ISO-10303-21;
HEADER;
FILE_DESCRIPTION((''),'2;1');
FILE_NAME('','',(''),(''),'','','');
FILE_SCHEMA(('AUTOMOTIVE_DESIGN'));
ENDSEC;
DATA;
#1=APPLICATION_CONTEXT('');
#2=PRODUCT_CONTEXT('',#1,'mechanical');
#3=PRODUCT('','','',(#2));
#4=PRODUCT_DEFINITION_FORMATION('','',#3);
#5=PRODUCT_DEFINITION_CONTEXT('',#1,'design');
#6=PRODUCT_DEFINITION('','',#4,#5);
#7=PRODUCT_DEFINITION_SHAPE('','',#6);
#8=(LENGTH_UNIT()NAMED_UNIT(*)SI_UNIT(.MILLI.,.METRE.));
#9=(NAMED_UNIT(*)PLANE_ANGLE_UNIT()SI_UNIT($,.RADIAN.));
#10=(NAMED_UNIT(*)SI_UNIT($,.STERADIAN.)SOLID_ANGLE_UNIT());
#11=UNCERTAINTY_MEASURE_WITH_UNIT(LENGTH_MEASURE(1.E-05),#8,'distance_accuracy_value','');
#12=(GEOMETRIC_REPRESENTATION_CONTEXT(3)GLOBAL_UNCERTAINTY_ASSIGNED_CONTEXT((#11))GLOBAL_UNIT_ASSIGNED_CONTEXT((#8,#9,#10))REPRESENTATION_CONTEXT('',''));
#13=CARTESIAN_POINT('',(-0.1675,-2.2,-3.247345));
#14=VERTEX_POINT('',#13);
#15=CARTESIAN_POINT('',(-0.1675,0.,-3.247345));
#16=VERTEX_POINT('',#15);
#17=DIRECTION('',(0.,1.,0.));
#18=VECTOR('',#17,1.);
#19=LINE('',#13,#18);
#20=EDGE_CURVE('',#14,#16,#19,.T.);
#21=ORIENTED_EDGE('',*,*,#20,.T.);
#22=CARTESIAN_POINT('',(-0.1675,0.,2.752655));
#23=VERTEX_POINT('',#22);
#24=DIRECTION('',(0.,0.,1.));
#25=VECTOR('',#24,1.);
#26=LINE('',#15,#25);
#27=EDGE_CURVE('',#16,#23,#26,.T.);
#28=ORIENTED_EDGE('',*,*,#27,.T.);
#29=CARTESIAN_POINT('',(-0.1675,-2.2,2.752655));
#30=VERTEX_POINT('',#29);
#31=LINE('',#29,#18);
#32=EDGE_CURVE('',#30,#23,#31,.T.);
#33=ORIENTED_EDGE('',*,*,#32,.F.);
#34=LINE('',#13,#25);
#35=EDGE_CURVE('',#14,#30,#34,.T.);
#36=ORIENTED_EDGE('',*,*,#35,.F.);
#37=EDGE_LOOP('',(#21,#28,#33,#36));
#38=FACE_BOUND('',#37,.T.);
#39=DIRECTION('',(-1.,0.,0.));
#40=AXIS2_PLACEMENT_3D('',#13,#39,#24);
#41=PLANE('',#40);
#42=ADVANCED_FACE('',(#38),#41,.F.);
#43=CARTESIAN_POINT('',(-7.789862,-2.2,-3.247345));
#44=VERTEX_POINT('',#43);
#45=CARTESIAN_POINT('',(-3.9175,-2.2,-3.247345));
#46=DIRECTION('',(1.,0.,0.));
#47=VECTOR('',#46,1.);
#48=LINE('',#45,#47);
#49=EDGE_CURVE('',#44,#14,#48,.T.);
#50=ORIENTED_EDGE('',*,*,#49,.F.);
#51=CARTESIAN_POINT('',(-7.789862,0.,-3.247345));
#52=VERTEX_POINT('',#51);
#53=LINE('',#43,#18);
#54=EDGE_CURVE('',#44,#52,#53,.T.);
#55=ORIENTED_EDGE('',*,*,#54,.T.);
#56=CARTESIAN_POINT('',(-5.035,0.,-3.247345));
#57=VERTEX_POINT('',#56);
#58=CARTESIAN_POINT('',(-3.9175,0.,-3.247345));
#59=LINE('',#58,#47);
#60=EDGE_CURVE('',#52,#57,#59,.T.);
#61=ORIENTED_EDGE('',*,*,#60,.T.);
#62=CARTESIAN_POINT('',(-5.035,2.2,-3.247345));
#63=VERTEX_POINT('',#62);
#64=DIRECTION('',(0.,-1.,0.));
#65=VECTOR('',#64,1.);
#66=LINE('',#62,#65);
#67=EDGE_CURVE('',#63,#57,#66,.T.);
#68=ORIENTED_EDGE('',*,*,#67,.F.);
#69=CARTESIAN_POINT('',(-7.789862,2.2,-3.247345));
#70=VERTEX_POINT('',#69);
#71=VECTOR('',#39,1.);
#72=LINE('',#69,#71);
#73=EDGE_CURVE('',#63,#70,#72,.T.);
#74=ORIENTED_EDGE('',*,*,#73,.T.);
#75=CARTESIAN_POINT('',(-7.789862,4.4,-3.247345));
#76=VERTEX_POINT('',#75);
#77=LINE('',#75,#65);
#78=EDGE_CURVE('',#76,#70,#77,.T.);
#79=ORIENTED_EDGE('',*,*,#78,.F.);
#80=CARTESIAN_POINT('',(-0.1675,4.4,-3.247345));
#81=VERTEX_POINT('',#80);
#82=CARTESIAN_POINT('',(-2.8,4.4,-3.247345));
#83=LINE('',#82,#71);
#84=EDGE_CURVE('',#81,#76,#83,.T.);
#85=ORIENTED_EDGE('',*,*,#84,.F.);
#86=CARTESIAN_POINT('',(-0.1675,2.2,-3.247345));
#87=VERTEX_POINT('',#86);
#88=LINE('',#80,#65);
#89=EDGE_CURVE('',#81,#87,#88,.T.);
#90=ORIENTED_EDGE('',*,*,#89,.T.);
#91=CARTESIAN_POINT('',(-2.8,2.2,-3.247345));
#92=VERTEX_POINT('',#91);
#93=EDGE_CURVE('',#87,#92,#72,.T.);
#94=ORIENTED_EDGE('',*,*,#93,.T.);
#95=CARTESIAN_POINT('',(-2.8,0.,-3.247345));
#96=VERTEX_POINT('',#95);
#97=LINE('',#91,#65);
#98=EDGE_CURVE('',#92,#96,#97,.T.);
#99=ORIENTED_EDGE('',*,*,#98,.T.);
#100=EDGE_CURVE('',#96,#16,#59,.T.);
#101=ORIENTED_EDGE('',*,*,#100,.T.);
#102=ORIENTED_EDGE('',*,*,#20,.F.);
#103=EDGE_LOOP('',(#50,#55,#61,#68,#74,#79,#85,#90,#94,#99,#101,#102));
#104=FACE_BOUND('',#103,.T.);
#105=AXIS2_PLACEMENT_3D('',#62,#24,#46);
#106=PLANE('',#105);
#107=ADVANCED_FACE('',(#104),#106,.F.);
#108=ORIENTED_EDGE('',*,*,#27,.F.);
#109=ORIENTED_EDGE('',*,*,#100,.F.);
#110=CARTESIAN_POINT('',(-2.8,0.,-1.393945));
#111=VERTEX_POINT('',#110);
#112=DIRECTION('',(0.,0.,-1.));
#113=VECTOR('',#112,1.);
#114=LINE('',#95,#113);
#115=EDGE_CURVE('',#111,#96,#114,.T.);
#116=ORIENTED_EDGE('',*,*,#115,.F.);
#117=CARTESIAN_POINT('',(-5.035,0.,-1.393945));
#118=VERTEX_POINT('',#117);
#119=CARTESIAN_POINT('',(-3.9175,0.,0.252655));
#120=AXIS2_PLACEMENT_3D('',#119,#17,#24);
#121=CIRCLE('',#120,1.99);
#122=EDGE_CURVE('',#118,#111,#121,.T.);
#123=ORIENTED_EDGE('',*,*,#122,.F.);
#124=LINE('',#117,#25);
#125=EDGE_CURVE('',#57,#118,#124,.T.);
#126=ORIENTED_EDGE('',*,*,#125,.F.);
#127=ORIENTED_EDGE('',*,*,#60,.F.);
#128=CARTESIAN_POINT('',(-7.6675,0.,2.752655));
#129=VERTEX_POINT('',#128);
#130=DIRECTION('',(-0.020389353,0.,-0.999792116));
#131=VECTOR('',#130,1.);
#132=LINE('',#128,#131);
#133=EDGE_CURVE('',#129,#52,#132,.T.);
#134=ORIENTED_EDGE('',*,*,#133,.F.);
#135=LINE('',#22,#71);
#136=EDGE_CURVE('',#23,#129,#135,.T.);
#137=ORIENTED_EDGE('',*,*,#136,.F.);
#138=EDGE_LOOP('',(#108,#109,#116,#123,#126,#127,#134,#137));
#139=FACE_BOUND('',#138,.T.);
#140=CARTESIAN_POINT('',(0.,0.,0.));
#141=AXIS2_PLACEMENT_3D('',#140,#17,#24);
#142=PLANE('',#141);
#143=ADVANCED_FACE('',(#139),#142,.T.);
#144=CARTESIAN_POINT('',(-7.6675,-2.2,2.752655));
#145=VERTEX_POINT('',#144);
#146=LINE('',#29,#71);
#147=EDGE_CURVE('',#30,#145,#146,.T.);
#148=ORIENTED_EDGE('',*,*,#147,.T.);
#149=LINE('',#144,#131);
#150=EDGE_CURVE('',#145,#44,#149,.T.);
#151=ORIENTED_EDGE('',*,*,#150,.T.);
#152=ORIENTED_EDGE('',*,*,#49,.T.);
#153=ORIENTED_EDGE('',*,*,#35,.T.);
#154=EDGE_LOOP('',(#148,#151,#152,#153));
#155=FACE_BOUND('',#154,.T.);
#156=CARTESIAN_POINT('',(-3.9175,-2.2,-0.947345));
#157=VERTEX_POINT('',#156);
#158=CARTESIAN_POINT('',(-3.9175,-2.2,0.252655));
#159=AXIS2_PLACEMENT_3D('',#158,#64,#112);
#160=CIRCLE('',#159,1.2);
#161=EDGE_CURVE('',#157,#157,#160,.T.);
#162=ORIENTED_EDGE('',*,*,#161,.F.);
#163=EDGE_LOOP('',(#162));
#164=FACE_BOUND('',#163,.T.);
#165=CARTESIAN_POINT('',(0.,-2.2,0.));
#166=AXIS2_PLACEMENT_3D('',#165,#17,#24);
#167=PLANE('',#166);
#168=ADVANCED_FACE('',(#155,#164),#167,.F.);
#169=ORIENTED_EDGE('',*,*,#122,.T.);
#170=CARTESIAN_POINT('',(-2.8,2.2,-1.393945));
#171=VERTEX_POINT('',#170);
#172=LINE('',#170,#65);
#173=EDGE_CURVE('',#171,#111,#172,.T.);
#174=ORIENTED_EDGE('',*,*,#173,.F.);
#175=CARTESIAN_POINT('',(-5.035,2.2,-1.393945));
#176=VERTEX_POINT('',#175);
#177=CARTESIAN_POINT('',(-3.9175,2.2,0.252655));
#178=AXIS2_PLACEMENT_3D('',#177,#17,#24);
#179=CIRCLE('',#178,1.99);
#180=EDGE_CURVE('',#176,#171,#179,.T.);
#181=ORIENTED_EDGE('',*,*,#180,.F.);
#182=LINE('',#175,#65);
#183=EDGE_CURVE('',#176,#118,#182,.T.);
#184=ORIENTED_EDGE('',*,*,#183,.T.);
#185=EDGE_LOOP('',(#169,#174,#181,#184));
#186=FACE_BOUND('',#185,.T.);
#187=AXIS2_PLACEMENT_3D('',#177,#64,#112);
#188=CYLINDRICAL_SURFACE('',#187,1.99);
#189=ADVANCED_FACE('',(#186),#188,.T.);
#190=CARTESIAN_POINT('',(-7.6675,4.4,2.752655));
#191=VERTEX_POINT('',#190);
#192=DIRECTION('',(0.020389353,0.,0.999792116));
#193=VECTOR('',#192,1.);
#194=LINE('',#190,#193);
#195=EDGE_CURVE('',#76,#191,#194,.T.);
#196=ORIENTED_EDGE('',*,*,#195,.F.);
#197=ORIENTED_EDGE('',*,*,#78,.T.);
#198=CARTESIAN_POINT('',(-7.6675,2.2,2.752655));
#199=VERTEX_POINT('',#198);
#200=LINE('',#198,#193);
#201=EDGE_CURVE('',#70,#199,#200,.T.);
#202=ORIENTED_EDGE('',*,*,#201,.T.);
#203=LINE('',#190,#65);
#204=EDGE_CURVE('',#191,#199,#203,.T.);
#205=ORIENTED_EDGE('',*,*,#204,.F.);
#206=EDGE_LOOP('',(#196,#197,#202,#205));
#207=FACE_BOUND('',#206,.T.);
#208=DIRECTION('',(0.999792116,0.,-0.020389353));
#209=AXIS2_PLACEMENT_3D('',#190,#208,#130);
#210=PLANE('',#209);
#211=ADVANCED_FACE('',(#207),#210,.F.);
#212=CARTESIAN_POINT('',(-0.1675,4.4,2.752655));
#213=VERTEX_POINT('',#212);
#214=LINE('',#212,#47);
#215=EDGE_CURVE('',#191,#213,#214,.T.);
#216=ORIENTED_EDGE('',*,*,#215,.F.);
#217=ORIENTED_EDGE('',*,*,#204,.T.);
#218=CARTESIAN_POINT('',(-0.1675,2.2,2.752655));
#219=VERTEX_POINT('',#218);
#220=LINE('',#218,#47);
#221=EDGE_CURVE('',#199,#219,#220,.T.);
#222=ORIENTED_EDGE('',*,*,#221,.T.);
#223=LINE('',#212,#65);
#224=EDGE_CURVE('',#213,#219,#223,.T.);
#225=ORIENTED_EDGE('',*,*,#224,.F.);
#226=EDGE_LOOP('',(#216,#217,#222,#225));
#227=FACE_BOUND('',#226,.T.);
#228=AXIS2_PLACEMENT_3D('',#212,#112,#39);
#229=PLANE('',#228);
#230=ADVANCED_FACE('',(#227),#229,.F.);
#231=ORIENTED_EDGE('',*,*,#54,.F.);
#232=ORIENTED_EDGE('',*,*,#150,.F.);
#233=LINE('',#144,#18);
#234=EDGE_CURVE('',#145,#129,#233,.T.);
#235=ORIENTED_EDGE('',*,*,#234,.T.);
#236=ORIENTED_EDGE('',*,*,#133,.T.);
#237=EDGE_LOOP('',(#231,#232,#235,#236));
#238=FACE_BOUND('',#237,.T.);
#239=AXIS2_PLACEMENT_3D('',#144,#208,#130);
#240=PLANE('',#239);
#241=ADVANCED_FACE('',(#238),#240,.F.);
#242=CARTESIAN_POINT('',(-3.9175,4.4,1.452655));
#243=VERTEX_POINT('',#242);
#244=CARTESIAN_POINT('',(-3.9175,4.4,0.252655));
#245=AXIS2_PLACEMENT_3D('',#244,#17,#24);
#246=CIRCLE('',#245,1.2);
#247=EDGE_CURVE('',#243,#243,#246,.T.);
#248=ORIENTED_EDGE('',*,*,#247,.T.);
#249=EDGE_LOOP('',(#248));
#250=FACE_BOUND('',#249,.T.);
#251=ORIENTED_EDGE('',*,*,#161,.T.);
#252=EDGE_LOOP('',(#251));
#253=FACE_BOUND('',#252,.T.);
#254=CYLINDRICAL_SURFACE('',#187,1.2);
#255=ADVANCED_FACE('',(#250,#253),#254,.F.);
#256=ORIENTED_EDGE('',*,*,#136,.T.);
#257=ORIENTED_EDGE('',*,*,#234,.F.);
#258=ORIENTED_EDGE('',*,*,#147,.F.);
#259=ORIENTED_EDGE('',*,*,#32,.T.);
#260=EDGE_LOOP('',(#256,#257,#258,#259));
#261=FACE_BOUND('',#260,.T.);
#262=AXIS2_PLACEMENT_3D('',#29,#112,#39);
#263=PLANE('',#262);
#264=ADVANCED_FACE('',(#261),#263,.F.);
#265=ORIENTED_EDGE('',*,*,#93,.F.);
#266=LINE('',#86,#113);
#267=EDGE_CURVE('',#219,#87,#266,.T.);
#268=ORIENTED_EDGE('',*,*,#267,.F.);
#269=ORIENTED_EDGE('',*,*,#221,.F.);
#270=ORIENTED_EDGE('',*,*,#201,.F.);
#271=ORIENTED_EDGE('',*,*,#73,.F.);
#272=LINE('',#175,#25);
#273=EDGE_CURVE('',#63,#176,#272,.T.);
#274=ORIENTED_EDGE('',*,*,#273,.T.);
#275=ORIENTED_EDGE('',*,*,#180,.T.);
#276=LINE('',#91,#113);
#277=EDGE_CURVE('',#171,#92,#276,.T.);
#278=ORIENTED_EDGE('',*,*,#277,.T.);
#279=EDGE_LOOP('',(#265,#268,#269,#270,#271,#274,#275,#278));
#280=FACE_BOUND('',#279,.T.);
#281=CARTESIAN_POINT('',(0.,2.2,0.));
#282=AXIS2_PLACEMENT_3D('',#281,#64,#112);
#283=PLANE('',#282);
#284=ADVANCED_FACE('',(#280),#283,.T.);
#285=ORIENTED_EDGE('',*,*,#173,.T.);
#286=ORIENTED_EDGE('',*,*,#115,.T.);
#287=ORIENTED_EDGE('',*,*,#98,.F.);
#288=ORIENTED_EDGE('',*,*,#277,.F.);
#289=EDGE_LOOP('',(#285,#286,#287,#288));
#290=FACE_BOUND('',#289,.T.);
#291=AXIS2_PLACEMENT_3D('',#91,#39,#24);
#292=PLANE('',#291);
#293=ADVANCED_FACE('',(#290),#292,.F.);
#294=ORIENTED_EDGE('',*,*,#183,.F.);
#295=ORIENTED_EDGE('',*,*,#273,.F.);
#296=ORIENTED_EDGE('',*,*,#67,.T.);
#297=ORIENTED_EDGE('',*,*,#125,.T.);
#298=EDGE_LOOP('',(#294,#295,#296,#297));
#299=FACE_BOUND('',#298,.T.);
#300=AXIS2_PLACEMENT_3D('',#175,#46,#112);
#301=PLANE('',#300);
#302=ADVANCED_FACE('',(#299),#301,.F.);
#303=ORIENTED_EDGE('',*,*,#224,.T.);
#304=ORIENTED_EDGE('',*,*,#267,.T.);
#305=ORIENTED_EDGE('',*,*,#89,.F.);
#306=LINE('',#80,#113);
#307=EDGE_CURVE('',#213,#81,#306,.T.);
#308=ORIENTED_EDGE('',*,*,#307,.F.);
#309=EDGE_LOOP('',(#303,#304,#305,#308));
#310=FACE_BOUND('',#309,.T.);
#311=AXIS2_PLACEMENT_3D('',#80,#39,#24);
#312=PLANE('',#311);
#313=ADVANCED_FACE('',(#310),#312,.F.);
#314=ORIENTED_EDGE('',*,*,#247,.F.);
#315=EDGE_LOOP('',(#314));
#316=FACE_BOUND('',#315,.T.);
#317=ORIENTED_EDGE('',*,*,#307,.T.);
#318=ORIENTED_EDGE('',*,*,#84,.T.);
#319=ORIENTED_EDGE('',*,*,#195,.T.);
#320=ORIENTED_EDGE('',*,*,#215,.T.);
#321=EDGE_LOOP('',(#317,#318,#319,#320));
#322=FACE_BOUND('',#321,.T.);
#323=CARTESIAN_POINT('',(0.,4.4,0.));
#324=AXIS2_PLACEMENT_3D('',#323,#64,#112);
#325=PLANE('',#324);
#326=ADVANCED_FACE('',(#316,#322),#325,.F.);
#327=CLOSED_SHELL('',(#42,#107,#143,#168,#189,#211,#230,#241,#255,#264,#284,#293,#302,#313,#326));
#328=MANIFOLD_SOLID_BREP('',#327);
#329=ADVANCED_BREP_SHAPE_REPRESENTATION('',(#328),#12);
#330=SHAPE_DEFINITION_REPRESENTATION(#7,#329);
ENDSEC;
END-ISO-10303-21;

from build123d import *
from build123d.topology import SkipClean

# Parameters (mm, degrees)
SKETCH1_R           = 1.2
BOSS_EXTRUDE1_DEPTH = 2.2
BOSS_EXTRUDE2_START = 2.2
SKETCH2_R           = 1.2
BOSS_EXTRUDE2_DEPTH = 2.2
SKETCH3_R           = 1.2
BOSS_EXTRUDE3_DEPTH = 2.2


with BuildPart() as part:
    # Sketch1 → Boss-Extrude1 (new body)
    with BuildSketch(Plane(origin=(0, 0, 0), x_dir=(1, 0, 0), z_dir=(0, 1, 0))):
        with BuildLine():
            Line((-5.035, 1.393945325), (-5.035, 3.24734466))
            Line((-5.035, 3.24734466), (-2.8, 3.24734466))
            Line((-2.8, 3.24734466), (-2.8, 1.393945325))
            ThreePointArc((-2.8, 1.393945325), (-3.9175, -2.24265534), (-5.035, 1.393945325))
        make_face()
        with Locations(Location((-3.9175, -0.25265534, 0), (0, 0, 270))):
            Circle(SKETCH1_R, mode=Mode.SUBTRACT)
    extrude(amount=BOSS_EXTRUDE1_DEPTH)

    # Sketch2 → Boss-Extrude2 (add)
    with SkipClean():  # the faces are left unmerged after this step: merging them gives an invalid solid
        with BuildSketch(Plane.XZ.offset(BOSS_EXTRUDE2_START)):
            Polygon((-3.9175, -3.24734466), (-0.1675, -3.24734466), (-0.1675, 2.75265534), (-7.6675, 2.75265534), (-7.789861557, -3.24734466), align=None)
            with Locations(Location((-3.9175, 0.25265534, 0), (0, 0, 270))):
                Circle(SKETCH2_R, mode=Mode.SUBTRACT)
        extrude(amount=-BOSS_EXTRUDE2_DEPTH)

    # Sketch3 → Boss-Extrude3 (add)
    with BuildSketch(Plane(origin=(0, 2.2, 0), x_dir=(1, 0, 0), z_dir=(0, 1, 0))):
        Polygon((-7.789861557, 3.24734466), (-5.035, 3.24734466), (-2.8, 3.24734466), (-0.1675, 3.24734466), (-0.1675, -2.75265534), (-7.6675, -2.75265534), align=None)
        with Locations(Location((-3.9175, -0.25265534, 0), (0, 0, 90))):
            Circle(SKETCH3_R, mode=Mode.SUBTRACT)
    extrude(amount=BOSS_EXTRUDE3_DEPTH)


solid = part.part
